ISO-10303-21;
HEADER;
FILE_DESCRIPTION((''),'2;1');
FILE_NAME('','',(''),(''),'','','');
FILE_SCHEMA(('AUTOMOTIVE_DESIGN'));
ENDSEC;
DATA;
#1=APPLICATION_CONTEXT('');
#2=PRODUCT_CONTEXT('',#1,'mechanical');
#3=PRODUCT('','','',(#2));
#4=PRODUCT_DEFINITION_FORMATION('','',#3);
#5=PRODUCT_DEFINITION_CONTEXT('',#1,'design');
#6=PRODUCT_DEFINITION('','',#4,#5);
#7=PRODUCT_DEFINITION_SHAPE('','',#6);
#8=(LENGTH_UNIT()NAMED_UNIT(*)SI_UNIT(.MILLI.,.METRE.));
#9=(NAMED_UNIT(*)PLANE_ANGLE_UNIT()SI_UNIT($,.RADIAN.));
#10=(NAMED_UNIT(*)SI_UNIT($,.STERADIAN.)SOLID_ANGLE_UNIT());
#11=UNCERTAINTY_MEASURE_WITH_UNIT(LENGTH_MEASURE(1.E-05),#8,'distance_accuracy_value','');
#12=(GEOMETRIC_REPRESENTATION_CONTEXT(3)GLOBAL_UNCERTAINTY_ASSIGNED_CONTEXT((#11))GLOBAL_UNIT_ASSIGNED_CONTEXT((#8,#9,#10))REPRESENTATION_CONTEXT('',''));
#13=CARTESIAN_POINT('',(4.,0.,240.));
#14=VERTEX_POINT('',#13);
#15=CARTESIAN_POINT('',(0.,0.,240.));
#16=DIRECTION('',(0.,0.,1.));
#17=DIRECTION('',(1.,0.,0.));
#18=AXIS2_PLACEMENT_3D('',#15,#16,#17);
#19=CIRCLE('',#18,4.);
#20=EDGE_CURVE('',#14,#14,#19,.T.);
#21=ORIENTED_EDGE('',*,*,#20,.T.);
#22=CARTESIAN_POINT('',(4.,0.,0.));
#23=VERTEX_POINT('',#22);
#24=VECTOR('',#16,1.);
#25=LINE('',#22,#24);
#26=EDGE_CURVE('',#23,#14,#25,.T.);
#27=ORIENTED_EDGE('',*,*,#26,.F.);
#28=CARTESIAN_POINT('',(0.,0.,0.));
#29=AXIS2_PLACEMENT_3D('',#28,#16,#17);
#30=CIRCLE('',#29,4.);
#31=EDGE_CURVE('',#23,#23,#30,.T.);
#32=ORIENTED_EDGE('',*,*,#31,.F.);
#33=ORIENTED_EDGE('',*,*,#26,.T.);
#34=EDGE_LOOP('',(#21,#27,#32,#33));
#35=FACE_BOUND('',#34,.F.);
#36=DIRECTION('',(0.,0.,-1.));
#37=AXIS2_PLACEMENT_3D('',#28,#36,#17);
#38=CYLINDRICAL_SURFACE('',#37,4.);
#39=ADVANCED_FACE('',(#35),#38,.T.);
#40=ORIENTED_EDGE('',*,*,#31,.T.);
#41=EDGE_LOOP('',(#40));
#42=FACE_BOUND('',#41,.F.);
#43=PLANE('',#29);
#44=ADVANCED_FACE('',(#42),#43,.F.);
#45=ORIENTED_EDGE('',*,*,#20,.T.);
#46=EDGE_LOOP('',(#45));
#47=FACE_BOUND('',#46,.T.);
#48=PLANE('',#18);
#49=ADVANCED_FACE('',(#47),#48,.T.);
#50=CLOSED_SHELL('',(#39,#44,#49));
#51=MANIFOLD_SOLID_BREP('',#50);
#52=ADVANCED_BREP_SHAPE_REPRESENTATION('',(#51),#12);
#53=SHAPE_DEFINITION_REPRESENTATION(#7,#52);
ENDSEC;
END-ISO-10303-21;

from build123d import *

# Parameters (mm, degrees)
SKETCH_R  = 4
PAD_DEPTH = 240


with BuildPart() as part:
    # Sketch → Pad (new body)
    with BuildSketch(Plane.XY):
        Circle(SKETCH_R)
    extrude(amount=PAD_DEPTH)


solid = part.part
